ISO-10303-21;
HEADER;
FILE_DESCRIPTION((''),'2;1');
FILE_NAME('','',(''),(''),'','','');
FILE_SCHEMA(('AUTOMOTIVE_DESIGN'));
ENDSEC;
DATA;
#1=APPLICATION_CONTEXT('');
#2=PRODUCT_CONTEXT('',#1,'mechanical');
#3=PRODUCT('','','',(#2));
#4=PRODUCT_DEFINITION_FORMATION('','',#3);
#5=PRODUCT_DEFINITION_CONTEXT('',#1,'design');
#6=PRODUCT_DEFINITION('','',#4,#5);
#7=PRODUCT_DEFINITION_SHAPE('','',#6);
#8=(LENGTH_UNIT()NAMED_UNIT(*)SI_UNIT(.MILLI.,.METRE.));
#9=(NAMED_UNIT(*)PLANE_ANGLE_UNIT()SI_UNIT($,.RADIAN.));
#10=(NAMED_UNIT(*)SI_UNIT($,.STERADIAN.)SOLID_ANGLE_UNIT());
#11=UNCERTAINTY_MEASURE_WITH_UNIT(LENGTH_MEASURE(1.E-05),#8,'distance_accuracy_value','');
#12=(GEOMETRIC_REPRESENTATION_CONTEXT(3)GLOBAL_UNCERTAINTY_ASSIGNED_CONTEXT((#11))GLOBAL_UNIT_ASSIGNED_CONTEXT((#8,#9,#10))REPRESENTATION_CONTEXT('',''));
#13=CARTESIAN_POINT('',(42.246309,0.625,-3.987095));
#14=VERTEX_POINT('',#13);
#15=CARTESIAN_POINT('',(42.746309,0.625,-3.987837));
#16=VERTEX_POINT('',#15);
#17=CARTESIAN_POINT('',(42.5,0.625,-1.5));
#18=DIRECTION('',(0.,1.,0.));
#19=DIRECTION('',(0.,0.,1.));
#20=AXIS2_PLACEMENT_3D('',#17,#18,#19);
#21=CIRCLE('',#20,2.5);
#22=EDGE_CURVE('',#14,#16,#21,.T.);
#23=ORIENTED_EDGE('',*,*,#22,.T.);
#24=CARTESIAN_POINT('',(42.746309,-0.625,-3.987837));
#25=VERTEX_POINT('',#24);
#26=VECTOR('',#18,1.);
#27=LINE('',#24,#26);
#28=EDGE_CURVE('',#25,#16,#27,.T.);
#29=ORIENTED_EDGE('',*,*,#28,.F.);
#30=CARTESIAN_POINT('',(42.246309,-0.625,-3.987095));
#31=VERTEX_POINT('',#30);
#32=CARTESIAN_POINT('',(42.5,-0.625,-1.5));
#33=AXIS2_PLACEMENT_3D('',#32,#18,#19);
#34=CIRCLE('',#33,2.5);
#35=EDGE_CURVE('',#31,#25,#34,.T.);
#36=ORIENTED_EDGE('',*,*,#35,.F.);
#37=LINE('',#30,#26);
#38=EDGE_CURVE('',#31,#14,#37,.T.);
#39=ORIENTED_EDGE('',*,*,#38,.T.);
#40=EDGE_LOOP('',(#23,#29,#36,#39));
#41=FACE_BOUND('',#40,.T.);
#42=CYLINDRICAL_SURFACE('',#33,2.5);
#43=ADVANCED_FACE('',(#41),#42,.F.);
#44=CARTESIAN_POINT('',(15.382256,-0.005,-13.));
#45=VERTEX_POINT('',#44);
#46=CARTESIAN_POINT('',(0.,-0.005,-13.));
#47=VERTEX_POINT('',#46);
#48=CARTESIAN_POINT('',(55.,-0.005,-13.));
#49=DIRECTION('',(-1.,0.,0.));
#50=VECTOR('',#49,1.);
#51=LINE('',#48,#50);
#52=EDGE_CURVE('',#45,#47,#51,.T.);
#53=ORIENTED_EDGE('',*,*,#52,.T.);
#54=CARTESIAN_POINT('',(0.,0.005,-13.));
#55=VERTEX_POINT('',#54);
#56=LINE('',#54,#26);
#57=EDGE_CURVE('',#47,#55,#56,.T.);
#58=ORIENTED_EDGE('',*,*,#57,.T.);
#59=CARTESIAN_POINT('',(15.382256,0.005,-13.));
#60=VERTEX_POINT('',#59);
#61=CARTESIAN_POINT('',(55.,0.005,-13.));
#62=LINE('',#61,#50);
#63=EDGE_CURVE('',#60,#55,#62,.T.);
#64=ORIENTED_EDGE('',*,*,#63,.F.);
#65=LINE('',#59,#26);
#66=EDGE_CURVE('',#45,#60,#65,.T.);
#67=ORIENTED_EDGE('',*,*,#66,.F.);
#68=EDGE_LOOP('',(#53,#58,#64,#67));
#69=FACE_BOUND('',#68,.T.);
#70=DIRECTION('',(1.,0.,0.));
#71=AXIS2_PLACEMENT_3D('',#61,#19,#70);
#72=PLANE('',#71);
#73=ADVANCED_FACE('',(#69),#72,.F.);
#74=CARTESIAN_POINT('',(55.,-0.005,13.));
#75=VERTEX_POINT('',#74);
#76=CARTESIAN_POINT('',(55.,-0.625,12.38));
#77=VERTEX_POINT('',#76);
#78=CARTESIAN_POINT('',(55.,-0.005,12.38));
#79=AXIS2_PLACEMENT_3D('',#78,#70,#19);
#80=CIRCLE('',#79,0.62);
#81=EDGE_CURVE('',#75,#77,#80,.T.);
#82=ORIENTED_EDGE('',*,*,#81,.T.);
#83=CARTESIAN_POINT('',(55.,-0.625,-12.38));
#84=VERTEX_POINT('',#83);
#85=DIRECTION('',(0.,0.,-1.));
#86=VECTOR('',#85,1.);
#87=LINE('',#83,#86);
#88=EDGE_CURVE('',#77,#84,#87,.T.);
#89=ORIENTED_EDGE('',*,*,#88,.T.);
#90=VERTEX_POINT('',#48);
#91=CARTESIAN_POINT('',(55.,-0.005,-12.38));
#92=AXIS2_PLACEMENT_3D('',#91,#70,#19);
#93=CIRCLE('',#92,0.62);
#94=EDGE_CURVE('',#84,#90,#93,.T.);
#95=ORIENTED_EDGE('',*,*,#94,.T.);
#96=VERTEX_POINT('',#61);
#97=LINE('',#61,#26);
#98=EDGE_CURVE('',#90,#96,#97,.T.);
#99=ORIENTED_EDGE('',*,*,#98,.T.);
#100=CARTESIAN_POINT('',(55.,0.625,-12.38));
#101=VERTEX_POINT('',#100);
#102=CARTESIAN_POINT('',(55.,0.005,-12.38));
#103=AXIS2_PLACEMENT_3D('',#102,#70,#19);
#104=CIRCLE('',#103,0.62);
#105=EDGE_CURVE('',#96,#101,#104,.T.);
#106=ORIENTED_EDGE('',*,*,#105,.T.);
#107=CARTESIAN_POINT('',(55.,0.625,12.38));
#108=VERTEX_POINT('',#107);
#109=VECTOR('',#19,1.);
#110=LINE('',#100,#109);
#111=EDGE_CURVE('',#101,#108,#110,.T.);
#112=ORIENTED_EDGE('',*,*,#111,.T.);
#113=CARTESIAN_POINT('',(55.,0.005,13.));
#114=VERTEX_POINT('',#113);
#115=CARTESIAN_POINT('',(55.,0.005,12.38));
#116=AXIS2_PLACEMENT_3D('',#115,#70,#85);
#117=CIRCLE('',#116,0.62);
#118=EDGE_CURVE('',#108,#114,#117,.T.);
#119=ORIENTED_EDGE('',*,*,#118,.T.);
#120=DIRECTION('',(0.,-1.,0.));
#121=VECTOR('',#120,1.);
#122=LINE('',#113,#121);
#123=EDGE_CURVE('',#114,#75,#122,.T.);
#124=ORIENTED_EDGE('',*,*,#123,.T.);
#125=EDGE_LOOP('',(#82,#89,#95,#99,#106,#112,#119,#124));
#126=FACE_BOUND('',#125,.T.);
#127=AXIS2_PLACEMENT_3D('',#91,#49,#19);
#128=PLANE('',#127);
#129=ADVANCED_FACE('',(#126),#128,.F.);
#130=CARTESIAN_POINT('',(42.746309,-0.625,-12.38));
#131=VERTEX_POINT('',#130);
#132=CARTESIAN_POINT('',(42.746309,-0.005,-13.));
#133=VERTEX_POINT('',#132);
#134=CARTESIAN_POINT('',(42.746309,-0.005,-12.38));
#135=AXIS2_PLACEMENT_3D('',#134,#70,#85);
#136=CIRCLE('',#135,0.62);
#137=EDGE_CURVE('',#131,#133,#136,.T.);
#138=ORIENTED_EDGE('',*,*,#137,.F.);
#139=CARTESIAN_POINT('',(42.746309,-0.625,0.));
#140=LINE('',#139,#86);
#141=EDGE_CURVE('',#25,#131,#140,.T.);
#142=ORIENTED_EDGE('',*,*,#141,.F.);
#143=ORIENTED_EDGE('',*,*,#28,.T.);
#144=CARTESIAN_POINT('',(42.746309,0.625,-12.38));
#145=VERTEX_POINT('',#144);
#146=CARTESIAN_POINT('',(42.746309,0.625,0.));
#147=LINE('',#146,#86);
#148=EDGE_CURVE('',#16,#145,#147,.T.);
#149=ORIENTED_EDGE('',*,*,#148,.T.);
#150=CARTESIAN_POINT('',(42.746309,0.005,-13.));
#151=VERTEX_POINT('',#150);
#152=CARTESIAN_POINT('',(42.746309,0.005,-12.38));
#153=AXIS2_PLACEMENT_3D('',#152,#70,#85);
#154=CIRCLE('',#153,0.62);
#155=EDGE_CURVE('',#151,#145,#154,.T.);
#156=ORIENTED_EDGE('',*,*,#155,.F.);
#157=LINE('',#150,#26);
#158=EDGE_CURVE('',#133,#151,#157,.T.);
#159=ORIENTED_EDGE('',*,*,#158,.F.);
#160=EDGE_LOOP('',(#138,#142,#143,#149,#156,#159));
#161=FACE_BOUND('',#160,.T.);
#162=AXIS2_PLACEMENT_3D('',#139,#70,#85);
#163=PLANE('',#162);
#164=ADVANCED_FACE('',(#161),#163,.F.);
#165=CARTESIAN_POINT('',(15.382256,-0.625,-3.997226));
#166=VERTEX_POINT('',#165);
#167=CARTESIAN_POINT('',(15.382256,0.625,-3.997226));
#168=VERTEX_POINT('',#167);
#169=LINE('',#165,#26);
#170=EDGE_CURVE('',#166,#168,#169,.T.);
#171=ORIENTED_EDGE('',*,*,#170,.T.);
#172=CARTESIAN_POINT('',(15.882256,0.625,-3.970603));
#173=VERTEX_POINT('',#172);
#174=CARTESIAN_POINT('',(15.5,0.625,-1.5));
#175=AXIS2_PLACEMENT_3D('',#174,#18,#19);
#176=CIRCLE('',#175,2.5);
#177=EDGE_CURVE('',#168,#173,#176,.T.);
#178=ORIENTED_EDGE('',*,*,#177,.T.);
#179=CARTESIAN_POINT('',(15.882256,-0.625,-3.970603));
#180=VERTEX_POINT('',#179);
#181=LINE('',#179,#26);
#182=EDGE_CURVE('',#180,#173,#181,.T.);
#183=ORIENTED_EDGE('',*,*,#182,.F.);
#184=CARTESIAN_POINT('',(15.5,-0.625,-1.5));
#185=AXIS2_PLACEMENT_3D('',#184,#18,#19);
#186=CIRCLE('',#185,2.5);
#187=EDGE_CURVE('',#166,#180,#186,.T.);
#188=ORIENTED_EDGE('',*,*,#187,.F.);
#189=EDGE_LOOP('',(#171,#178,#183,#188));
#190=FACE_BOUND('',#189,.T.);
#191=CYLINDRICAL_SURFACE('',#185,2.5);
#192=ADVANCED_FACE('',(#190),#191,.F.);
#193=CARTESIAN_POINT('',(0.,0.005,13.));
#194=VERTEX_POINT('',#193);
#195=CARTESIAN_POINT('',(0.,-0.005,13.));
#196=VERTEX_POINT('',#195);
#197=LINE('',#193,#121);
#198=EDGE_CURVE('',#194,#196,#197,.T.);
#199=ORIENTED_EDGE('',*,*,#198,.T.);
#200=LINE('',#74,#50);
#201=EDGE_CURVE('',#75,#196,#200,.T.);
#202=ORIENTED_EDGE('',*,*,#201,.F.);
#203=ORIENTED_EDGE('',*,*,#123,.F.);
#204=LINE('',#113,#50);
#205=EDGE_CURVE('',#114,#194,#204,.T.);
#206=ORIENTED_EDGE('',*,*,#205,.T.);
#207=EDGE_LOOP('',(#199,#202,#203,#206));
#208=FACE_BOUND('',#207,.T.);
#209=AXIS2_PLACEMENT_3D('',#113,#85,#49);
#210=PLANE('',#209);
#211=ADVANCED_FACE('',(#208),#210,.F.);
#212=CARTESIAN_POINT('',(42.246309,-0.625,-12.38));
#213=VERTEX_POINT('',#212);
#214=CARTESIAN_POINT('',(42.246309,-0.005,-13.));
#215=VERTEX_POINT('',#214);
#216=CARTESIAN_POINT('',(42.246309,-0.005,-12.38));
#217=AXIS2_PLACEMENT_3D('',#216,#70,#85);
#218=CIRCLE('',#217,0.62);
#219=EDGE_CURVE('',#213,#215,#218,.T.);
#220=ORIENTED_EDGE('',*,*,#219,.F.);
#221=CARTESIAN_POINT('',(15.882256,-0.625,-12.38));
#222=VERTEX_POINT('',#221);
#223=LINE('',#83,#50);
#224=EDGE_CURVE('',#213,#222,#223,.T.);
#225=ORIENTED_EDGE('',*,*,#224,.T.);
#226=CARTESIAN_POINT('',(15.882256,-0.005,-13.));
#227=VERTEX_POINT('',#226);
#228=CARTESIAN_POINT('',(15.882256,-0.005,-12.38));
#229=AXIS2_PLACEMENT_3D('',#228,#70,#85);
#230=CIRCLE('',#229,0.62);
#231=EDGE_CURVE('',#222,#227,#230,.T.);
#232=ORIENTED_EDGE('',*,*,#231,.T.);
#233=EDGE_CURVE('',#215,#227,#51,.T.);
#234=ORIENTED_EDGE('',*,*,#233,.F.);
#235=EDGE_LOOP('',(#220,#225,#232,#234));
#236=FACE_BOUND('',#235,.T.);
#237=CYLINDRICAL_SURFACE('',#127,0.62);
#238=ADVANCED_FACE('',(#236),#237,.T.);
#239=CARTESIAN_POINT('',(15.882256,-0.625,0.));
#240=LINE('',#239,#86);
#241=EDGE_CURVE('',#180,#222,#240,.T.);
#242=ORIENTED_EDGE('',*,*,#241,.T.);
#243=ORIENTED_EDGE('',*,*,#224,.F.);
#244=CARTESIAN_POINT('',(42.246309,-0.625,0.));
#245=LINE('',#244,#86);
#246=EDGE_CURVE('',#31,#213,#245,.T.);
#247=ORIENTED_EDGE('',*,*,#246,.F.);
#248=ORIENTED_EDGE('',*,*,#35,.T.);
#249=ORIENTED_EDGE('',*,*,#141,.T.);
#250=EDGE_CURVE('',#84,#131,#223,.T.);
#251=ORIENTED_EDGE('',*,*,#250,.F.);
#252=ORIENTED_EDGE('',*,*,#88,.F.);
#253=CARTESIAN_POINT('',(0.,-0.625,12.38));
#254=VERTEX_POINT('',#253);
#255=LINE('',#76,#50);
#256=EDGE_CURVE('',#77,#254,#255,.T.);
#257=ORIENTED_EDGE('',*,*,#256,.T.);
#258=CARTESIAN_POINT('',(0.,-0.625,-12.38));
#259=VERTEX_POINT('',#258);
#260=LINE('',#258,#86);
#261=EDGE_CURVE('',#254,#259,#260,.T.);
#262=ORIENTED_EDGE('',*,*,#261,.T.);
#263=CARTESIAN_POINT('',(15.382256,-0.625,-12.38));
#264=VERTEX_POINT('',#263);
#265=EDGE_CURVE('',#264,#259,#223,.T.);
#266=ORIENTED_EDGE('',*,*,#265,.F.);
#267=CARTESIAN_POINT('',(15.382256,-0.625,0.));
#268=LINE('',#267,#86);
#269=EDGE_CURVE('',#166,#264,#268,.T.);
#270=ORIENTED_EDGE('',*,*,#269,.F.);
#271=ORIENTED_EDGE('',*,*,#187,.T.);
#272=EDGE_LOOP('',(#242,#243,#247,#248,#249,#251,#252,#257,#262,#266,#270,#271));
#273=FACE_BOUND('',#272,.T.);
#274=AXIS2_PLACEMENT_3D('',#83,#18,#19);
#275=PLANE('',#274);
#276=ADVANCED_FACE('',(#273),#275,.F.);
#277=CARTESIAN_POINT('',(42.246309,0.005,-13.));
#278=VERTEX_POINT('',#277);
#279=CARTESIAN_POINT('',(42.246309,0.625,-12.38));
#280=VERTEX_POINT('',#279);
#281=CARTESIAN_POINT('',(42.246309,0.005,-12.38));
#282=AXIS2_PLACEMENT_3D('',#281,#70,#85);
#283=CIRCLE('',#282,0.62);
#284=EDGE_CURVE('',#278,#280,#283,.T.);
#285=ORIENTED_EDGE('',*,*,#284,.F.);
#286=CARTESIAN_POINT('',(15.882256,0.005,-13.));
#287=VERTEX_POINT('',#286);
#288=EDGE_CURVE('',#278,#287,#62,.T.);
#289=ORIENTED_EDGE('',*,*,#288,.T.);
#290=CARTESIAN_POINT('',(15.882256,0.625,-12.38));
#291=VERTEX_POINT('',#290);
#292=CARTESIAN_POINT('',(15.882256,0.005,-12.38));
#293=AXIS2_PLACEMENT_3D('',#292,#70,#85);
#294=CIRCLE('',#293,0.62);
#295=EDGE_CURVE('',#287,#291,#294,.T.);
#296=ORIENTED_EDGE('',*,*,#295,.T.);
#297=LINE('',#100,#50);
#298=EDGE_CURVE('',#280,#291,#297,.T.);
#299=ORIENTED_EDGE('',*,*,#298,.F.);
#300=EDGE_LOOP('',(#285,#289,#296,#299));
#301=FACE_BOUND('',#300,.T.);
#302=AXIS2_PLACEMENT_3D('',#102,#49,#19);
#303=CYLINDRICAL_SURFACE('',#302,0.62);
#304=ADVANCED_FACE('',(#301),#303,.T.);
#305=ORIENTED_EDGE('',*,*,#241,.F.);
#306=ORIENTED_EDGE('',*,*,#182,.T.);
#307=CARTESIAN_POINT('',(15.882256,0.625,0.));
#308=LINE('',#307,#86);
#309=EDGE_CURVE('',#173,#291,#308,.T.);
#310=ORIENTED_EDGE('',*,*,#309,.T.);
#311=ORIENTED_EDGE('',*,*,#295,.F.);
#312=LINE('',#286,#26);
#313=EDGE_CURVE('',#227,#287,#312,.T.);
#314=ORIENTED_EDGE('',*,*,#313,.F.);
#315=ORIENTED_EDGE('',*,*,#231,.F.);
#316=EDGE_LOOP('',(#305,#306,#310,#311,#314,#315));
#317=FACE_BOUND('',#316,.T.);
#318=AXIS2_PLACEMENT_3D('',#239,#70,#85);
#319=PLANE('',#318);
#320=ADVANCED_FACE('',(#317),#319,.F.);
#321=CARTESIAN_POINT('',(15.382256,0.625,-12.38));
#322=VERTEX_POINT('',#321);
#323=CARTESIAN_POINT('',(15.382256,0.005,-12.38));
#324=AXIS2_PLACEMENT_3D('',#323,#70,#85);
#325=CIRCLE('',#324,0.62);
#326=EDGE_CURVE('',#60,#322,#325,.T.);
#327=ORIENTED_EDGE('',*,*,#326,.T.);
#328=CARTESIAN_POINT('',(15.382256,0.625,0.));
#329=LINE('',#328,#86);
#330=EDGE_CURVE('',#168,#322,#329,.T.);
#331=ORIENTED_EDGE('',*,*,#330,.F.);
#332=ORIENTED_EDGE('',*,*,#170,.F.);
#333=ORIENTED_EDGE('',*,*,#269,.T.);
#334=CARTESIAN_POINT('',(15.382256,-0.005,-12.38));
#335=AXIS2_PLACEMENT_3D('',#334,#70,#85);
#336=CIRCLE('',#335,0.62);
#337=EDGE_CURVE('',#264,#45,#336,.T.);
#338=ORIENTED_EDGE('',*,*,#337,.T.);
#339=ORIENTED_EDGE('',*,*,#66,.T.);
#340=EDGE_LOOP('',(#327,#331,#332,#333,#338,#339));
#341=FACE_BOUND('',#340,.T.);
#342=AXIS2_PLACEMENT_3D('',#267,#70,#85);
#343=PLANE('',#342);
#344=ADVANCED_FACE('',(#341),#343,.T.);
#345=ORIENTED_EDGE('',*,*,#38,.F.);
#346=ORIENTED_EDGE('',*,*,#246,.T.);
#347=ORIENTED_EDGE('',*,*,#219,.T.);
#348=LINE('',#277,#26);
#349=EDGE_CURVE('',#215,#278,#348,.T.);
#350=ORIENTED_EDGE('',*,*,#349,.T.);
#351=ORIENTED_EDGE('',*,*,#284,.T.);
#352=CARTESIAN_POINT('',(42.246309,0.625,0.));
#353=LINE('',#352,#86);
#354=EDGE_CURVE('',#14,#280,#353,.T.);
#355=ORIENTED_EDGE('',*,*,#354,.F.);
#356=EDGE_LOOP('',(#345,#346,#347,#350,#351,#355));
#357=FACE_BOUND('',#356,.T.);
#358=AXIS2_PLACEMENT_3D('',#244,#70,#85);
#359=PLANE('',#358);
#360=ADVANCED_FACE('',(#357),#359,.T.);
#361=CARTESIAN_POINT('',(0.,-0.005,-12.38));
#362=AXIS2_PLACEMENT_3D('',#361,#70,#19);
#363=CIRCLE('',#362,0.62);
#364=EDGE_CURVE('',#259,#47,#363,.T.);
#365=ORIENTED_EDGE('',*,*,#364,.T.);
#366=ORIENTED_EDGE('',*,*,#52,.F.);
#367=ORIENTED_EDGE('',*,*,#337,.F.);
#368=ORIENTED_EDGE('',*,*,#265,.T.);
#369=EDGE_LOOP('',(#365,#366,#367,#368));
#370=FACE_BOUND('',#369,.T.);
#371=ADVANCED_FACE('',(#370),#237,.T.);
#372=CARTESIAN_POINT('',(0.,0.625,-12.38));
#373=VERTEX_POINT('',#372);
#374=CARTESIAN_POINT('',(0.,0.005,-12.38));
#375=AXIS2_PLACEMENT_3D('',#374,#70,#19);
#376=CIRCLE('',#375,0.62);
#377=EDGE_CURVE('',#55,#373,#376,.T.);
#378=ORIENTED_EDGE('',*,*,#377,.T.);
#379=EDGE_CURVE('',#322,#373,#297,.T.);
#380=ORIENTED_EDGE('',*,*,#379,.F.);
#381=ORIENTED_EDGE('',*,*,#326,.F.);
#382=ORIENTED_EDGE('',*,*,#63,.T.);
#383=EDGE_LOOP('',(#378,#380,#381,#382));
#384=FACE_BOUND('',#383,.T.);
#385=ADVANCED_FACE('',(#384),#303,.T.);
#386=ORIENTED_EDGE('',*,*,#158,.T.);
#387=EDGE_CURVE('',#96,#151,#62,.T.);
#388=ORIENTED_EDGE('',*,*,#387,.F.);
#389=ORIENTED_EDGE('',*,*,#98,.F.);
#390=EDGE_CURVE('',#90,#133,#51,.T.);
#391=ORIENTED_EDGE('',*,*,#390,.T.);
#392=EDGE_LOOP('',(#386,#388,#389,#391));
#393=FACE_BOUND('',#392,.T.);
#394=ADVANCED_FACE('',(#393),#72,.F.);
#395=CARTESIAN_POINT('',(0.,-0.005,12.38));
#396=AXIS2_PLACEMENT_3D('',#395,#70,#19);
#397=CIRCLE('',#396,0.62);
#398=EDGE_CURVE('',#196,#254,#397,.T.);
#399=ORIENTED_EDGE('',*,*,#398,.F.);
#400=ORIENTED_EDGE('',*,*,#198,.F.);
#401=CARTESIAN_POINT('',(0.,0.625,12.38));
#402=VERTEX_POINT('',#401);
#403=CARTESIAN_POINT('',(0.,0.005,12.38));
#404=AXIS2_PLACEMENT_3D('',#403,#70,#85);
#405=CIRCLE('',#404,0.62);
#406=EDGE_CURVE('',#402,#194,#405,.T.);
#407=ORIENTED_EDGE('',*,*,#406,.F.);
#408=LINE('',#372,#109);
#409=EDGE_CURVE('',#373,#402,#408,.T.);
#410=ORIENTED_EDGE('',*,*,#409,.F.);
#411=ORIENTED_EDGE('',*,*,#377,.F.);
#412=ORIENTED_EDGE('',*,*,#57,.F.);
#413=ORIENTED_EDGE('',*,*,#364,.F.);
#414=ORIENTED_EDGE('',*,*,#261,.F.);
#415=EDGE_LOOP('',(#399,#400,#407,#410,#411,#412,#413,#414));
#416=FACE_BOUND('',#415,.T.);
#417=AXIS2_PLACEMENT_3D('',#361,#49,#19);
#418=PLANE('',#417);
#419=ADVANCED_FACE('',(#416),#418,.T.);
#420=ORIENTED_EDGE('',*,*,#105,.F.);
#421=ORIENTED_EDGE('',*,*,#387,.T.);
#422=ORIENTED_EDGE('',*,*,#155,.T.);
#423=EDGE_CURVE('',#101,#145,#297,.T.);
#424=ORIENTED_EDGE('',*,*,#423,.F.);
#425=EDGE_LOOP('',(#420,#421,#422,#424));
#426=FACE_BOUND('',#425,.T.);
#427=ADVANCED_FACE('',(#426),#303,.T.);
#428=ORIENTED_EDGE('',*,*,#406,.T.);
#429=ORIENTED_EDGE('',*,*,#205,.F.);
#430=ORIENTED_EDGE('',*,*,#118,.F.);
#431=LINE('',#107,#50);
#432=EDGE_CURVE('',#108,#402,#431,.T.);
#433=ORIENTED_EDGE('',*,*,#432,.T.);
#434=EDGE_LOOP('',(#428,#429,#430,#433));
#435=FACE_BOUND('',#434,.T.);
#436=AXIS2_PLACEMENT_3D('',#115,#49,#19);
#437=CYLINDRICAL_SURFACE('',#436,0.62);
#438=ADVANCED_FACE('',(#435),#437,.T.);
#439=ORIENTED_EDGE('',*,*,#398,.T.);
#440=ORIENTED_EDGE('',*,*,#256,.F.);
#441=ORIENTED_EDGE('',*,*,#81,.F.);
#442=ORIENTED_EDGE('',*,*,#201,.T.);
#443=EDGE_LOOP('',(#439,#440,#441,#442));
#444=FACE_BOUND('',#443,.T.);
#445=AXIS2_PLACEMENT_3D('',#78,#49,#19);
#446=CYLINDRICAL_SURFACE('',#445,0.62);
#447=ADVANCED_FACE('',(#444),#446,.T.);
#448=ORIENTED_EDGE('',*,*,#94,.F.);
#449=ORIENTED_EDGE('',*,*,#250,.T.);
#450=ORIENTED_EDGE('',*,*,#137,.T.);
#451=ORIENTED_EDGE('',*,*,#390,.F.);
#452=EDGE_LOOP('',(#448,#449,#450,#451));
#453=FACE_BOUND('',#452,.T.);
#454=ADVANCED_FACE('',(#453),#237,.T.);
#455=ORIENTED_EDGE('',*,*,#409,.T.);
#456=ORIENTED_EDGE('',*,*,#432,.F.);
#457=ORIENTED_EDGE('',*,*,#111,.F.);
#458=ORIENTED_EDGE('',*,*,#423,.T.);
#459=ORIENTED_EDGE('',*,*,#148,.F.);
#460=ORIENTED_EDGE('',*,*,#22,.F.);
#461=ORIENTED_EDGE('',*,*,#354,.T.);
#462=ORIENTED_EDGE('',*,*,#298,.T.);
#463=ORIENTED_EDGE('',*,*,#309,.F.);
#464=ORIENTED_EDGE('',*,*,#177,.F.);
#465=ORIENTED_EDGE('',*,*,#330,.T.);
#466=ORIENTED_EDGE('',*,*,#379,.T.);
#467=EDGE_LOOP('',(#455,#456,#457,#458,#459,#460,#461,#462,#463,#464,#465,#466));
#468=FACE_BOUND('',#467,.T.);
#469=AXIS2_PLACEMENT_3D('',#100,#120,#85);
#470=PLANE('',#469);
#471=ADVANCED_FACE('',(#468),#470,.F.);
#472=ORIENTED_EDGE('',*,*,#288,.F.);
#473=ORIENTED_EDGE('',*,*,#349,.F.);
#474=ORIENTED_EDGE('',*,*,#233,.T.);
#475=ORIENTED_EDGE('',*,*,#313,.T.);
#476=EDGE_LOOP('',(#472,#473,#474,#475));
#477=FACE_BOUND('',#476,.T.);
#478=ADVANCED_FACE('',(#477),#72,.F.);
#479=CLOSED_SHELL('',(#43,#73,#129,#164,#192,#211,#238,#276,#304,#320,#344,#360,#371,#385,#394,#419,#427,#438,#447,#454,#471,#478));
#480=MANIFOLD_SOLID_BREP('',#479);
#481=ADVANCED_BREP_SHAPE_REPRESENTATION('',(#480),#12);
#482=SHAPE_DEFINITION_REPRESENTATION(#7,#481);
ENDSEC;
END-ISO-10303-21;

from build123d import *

# Parameters (mm, degrees)
BOSS_EXTRUDE1_DEPTH = 55
SKETCH2_W           = 0.5
SKETCH2_H           = 4.754059282
SKETCH2_H_2         = 4.044844813
CUT_EXTRUDE1_DEPTH  = 2.25


with BuildPart() as part:
    # Sketch1 → Boss-Extrude1 (new body)
    with BuildSketch(Plane(origin=(0, 0, 0), x_dir=(0, 0, -1), z_dir=(1, 0, 0))):
        with BuildLine():
            Line((12.38, 0.625), (-12.38, 0.625))
            ThreePointArc((-12.38, 0.625), (-12.818406204, 0.443406204), (-13, 0.005))
            Line((-13, 0.005), (-13, -0.005))
            ThreePointArc((-13, -0.005), (-12.818406204, -0.443406204), (-12.38, -0.625))
            Line((-12.38, -0.625), (12.38, -0.625))
            ThreePointArc((12.38, -0.625), (12.818406204, -0.443406204), (13, -0.005))
            Line((13, -0.005), (13, 0.005))
            ThreePointArc((13, 0.005), (12.818406204, 0.443406204), (12.38, 0.625))
        make_face()
    extrude(amount=BOSS_EXTRUDE1_DEPTH)

    # Sketch2 → Cut-Extrude1 (cut, through all)
    with BuildSketch(Plane(origin=(0, 0.625, 0), x_dir=(1, 0, 0), z_dir=(0, 1, 0))):
        with BuildLine():
            ThreePointArc((15.382256297, 3.997225745), (15.367075517, -0.996463715), (15.882256297, 3.97060319))
            Line((15.882256297, 3.97060319), (15.882256297, 12.38))
            Line((15.882256297, 12.38), (15.382256297, 12.38))
            Line((15.382256297, 12.38), (15.382256297, 3.997225745))
        make_face()
        with BuildLine():
            Line((42.746308765, 12.38), (42.246308765, 12.38))
            Line((42.246308765, 12.38), (42.246308765, 3.987094843))
            ThreePointArc((42.246308765, 3.987094843), (42.50370983, -0.999997247), (42.746308765, 3.98783681))
            Line((42.746308765, 3.98783681), (42.746308765, 12.38))
        make_face()
        with Locations((15.632256297, 14.757029641)):
            Rectangle(SKETCH2_W, SKETCH2_H)
        with Locations((42.496308765, 14.402422407)):
            Rectangle(SKETCH2_W, SKETCH2_H_2)
    extrude(amount=-CUT_EXTRUDE1_DEPTH, mode=Mode.SUBTRACT)


solid = part.part
